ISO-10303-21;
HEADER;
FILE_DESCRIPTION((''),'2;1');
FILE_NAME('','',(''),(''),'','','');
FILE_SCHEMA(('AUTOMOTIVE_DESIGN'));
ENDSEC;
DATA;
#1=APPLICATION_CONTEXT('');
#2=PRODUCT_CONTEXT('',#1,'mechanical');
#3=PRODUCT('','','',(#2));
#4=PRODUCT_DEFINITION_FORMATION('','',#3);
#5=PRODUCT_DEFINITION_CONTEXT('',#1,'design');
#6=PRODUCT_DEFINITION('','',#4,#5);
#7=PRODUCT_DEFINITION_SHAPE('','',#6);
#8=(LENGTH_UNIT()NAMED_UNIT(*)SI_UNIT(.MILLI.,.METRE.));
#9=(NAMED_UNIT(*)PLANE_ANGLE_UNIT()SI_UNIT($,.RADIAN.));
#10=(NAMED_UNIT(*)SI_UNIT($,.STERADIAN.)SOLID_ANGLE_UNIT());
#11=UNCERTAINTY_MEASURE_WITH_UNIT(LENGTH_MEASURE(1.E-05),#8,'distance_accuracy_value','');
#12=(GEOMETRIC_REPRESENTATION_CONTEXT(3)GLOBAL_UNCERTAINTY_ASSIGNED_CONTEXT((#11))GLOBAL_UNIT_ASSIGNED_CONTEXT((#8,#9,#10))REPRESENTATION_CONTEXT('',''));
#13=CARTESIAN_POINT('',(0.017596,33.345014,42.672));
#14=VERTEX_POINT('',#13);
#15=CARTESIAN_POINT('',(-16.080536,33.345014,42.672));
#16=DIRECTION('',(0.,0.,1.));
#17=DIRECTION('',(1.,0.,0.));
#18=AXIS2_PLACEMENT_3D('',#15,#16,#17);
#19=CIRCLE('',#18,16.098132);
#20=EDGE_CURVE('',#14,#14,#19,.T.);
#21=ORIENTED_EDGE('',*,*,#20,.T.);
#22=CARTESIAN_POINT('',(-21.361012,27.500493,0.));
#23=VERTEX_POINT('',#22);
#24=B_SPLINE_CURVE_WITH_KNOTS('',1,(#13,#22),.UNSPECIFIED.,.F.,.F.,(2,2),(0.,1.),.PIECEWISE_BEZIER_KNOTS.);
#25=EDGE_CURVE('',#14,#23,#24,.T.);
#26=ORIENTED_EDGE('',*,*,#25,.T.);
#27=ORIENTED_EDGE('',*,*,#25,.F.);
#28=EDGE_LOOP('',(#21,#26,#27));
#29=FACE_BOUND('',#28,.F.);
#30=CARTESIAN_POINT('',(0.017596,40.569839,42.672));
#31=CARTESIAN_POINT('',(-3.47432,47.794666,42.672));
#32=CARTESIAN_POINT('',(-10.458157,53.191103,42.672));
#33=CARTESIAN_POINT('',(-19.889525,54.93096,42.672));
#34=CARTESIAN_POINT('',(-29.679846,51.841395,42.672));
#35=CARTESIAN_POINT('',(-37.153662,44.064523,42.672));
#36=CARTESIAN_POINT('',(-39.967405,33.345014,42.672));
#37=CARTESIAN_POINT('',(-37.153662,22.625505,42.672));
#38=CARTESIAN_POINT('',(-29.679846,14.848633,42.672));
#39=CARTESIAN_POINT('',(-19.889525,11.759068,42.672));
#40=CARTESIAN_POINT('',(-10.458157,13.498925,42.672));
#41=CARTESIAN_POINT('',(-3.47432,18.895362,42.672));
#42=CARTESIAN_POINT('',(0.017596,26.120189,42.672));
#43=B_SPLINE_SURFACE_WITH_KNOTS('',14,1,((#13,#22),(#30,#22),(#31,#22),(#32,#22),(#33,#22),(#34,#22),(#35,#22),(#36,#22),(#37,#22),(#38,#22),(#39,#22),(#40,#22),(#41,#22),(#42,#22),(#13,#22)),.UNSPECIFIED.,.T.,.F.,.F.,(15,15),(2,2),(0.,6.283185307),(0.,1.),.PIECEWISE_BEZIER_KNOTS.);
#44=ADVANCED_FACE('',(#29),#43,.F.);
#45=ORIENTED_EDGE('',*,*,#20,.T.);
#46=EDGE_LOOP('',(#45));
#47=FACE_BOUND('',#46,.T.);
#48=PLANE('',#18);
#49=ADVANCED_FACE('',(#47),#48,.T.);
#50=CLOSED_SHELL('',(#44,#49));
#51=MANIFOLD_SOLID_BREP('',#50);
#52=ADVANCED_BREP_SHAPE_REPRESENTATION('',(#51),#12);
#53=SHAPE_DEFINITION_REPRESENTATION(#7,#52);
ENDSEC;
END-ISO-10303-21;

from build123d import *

# Parameters (mm, degrees)
F2_R = 16.098132


with BuildPart() as f3:
    # F2 (on offset) → F3 section 0
    with BuildSketch(Plane.XY.offset(42.672), mode=Mode.PRIVATE) as f3_s0:
        with Locations((-16.080536, 33.345014)):
            Circle(F2_R)
    loft([f3_s0.sketch, Vertex(-21.361012, 27.500493, 0)])


solid = f3.part
